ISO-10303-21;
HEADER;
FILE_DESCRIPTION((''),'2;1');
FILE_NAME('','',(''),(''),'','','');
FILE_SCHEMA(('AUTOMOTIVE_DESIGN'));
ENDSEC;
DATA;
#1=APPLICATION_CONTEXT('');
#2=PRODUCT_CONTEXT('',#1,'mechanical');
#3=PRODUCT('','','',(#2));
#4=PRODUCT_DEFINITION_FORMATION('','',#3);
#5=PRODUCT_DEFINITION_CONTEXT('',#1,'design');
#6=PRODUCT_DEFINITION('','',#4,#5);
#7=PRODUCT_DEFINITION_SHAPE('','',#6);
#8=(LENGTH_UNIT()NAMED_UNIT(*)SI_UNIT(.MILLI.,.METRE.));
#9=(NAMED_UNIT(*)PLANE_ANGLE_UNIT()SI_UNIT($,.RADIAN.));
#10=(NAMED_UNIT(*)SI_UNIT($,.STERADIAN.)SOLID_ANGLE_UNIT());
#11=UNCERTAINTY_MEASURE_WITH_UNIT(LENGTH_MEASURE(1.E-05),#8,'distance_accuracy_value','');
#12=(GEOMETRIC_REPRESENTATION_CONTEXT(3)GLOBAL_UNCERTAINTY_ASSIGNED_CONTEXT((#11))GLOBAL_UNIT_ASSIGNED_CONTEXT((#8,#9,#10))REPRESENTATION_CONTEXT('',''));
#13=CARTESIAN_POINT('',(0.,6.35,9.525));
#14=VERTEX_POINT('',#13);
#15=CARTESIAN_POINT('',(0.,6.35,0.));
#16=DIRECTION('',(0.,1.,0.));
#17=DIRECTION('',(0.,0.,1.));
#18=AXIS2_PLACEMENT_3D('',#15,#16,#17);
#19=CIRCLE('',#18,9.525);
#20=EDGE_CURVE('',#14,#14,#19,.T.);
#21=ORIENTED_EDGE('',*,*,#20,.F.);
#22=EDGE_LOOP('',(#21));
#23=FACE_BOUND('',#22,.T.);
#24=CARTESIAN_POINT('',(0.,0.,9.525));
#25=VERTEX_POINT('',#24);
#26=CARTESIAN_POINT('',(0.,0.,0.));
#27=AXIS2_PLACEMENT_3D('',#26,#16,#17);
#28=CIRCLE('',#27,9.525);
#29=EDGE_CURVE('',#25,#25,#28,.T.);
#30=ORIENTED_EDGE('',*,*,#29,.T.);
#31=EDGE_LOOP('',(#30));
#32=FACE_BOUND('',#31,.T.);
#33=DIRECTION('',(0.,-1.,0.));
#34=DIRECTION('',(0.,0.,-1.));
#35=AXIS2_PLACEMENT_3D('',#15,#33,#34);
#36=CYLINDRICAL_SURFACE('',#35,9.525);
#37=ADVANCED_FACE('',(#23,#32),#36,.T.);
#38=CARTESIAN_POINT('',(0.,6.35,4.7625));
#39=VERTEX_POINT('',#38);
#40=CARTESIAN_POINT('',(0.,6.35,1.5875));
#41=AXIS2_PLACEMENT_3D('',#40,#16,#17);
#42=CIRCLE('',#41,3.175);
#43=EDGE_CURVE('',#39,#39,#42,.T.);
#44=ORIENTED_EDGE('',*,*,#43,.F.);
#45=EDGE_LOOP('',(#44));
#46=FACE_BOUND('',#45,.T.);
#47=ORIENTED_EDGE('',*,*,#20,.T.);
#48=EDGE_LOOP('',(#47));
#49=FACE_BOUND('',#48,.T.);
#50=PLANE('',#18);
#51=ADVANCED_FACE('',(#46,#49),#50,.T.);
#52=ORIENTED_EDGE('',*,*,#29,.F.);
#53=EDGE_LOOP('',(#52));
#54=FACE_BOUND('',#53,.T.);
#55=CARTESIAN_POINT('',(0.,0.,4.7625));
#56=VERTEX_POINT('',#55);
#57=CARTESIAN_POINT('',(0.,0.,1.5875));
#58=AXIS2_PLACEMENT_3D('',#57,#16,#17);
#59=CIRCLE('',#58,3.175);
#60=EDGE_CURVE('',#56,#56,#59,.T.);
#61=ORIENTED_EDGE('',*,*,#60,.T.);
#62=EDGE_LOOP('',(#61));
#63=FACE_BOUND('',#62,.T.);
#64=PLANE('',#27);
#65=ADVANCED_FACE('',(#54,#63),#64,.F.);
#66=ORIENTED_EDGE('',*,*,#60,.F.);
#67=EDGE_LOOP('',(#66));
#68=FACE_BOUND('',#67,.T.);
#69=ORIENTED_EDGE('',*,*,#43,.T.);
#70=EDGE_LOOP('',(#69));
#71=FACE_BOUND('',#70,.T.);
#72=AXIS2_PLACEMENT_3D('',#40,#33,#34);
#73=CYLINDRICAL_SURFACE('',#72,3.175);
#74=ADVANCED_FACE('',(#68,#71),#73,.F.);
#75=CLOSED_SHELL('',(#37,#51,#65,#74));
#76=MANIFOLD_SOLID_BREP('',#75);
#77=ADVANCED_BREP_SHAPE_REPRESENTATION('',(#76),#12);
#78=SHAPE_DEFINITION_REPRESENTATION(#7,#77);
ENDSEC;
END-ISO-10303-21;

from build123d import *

# Parameters (mm, degrees)
SKETCH1_R           = 9.525
SKETCH1_R_2         = 3.175
BOSS_EXTRUDE1_DEPTH = 6.35


with BuildPart() as part:
    # Sketch1 → Boss-Extrude1 (new body)
    with BuildSketch(Plane(origin=(0, 0, 0), x_dir=(1, 0, 0), z_dir=(0, 1, 0))):
        with Locations(Location((0, 0, 0), (0, 0, 270))):
            Circle(SKETCH1_R)
        with Locations(Location((0, -1.5875, 0), (0, 0, 270))):
            Circle(SKETCH1_R_2, mode=Mode.SUBTRACT)
    extrude(amount=BOSS_EXTRUDE1_DEPTH)


solid = part.part
